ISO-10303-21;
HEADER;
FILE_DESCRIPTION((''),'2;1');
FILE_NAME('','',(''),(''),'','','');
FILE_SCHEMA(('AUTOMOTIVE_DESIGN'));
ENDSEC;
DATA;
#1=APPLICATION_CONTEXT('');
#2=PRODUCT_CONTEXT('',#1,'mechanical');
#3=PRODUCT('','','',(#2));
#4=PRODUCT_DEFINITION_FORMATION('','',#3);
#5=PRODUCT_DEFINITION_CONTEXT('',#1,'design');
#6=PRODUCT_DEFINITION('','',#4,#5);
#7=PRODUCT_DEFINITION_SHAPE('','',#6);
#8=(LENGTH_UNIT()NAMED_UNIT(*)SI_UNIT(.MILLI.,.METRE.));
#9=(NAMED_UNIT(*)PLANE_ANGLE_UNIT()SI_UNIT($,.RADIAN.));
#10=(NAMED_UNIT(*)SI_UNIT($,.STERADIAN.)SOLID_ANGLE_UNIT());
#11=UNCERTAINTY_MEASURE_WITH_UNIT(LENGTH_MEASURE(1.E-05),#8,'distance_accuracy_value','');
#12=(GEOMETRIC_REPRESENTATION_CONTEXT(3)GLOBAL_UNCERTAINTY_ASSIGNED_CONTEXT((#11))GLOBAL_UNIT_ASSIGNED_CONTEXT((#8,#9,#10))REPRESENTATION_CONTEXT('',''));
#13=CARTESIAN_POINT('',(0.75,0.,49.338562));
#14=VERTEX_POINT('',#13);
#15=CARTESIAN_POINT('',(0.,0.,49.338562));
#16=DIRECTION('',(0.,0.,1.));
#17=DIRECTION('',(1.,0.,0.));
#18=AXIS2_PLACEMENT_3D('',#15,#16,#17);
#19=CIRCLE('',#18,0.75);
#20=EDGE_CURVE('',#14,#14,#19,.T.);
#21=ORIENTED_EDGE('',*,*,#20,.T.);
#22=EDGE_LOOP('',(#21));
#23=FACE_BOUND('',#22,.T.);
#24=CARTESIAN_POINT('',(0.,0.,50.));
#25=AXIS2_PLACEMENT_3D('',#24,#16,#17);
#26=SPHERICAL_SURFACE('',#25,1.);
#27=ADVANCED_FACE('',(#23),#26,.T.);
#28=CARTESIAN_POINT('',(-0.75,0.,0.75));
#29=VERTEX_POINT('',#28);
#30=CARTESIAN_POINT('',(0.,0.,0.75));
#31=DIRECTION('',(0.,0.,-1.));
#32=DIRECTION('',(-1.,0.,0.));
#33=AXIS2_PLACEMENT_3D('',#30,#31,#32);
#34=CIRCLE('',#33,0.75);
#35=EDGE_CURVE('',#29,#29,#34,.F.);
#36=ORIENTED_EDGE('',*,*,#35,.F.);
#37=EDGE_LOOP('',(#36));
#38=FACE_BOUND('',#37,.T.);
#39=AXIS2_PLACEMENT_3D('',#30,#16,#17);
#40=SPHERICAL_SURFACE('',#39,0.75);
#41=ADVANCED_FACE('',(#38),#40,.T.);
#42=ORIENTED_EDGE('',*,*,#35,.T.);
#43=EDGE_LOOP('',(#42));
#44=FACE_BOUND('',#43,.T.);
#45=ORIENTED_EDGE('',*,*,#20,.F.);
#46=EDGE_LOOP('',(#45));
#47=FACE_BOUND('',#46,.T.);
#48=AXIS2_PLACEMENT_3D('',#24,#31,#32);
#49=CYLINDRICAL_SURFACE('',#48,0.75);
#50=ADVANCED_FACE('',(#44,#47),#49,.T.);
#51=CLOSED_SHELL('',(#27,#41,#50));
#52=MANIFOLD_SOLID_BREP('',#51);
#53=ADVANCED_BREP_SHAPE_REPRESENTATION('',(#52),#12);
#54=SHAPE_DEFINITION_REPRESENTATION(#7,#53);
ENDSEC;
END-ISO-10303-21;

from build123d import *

# Parameters (mm, degrees)
SKETCH1_R           = 0.75
BOSS_EXTRUDE1_DEPTH = 50
FILLET1_R           = 0.75


with BuildPart() as part:
    # Sketch1 → Boss-Extrude1 (new body)
    with BuildSketch(Plane.XY):
        Circle(SKETCH1_R)
    extrude(amount=BOSS_EXTRUDE1_DEPTH)

    # Sketch2 → Revolve1 (revolve)
    with BuildSketch(Plane.XY.offset(50)):
        with BuildLine():
            Line((-1, 0), (1, 0))
            ThreePointArc((1, 0), (0, 1), (-1, 0))
        make_face()
    revolve(axis=Axis((-1, 0, 50), (1, 0, 0)))

    # Fillet1
    fillet1_edges = [part.edges().sort_by_distance(p)[0] for p in [
        (-0.75, 0, 0),
    ]]
    fillet(fillet1_edges, radius=FILLET1_R)


solid = part.part
